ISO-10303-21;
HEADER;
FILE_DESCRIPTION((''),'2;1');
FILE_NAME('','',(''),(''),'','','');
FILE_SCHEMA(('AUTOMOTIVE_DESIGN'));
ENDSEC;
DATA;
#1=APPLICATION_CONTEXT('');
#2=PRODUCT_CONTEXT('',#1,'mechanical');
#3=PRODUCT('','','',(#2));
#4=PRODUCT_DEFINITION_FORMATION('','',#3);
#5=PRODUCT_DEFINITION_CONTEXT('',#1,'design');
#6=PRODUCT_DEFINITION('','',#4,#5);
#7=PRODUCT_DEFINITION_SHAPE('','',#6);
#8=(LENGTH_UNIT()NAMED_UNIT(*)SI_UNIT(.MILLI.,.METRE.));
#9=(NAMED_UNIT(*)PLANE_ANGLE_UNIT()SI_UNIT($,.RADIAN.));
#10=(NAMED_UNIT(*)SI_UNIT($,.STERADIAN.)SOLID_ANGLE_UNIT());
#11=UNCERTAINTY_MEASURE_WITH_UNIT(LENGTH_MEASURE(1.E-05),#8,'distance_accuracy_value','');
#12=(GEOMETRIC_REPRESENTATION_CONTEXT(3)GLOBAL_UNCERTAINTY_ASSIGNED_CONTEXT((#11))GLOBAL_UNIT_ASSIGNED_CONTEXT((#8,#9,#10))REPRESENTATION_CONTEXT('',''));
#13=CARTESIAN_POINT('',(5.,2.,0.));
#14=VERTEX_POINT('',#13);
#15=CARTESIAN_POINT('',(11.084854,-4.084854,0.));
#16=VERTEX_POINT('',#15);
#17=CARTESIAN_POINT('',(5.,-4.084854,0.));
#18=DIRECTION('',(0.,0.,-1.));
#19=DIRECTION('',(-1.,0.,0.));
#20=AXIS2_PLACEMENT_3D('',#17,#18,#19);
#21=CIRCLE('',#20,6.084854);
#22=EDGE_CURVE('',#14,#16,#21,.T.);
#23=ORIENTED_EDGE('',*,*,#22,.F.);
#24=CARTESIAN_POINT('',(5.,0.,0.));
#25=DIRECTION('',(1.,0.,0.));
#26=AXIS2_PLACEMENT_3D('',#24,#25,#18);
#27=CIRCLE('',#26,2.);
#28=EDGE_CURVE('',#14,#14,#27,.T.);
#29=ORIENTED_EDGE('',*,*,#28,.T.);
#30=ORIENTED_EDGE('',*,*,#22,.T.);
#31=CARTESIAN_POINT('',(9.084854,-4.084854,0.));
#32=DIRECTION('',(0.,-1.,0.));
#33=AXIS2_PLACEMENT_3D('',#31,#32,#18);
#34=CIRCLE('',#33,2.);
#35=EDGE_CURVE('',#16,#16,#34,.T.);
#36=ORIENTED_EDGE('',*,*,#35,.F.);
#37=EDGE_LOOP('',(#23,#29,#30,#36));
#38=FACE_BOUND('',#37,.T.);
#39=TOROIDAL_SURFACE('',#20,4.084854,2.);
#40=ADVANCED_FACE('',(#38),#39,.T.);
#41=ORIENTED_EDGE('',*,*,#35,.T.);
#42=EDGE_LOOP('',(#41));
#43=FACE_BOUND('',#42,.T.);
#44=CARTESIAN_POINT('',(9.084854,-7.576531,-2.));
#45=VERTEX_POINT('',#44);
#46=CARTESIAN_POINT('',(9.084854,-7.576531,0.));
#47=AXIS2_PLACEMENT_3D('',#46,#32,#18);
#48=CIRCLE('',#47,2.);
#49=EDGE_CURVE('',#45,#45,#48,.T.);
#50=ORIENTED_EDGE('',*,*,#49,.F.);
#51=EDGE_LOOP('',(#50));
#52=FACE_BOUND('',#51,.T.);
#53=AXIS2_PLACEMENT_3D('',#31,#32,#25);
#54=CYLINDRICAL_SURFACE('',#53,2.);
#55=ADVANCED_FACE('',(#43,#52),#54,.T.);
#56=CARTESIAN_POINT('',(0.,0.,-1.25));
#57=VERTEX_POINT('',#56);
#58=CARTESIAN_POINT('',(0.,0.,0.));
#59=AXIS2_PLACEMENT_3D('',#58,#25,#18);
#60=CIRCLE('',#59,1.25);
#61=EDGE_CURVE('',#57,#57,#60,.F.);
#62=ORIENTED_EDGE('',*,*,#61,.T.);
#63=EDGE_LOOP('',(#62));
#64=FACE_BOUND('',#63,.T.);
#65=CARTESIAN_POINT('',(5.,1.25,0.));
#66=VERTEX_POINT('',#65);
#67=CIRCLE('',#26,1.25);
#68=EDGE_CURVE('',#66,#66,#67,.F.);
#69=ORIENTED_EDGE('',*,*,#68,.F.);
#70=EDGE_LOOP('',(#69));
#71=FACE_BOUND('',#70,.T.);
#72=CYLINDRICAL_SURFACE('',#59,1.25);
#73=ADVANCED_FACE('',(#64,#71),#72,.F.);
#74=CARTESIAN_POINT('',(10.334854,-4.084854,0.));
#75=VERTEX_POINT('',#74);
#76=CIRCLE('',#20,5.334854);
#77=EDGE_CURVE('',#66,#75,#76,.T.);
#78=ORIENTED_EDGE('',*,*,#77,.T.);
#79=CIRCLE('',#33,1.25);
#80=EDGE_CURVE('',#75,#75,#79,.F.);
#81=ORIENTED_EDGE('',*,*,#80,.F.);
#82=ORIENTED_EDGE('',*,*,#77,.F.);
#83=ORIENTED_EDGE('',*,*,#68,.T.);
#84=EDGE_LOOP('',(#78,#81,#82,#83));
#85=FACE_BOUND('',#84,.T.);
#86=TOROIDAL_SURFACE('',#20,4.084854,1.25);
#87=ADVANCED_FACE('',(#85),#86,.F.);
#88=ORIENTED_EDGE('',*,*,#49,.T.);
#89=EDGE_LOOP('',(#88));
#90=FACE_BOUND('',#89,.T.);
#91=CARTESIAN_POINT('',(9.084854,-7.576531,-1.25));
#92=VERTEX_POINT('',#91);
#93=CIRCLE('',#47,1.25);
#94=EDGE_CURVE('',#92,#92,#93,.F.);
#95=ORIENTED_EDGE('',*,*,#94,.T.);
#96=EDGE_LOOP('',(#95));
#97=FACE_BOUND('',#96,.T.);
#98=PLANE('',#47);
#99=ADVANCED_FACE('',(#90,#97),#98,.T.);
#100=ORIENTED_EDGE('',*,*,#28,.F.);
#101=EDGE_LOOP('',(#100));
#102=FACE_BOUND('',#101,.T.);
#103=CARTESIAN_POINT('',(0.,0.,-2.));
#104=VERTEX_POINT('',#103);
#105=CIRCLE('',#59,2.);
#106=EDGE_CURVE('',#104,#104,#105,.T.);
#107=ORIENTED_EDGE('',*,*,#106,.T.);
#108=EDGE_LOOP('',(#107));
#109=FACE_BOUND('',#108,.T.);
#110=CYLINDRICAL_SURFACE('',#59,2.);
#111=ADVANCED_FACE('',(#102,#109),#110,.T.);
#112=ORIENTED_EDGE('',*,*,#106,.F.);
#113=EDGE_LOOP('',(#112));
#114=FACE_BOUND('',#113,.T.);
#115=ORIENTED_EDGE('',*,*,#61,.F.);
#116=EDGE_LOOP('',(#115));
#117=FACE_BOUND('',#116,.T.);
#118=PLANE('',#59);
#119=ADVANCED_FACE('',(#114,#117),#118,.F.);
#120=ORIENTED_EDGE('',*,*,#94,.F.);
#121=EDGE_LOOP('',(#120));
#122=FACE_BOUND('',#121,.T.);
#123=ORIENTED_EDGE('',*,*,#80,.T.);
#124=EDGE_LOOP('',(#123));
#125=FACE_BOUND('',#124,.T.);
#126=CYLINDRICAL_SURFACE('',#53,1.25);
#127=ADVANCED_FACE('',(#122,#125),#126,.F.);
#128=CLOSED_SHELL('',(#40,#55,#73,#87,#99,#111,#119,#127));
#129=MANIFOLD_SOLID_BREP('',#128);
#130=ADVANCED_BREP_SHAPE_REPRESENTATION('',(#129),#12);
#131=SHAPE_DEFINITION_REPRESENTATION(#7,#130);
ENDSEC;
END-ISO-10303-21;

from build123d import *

# Parameters (mm, degrees)
SKETCH_2_R   = 2
SKETCH_2_R_2 = 1.25


with BuildPart() as part:
    # 扫描1: sweep along a path in 草图1
    with BuildLine(Plane.XY) as sweep_1_path:
        Line((0, 0), (5, 0))
        ThreePointArc((5, 0), (7.888427708, -1.196425931), (9.084853638, -4.084853638))
        Line((9.084853638, -4.084853638), (9.084853638, -7.576530612))
    # 草图2 → 扫描1 (sweep)
    with BuildSketch(Plane(origin=(0, 0, 0), x_dir=(0, 0, -1), z_dir=(1, 0, 0))):
        Circle(SKETCH_2_R)
        Circle(SKETCH_2_R_2, mode=Mode.SUBTRACT)
    sweep(path=sweep_1_path.line)


solid = part.part
